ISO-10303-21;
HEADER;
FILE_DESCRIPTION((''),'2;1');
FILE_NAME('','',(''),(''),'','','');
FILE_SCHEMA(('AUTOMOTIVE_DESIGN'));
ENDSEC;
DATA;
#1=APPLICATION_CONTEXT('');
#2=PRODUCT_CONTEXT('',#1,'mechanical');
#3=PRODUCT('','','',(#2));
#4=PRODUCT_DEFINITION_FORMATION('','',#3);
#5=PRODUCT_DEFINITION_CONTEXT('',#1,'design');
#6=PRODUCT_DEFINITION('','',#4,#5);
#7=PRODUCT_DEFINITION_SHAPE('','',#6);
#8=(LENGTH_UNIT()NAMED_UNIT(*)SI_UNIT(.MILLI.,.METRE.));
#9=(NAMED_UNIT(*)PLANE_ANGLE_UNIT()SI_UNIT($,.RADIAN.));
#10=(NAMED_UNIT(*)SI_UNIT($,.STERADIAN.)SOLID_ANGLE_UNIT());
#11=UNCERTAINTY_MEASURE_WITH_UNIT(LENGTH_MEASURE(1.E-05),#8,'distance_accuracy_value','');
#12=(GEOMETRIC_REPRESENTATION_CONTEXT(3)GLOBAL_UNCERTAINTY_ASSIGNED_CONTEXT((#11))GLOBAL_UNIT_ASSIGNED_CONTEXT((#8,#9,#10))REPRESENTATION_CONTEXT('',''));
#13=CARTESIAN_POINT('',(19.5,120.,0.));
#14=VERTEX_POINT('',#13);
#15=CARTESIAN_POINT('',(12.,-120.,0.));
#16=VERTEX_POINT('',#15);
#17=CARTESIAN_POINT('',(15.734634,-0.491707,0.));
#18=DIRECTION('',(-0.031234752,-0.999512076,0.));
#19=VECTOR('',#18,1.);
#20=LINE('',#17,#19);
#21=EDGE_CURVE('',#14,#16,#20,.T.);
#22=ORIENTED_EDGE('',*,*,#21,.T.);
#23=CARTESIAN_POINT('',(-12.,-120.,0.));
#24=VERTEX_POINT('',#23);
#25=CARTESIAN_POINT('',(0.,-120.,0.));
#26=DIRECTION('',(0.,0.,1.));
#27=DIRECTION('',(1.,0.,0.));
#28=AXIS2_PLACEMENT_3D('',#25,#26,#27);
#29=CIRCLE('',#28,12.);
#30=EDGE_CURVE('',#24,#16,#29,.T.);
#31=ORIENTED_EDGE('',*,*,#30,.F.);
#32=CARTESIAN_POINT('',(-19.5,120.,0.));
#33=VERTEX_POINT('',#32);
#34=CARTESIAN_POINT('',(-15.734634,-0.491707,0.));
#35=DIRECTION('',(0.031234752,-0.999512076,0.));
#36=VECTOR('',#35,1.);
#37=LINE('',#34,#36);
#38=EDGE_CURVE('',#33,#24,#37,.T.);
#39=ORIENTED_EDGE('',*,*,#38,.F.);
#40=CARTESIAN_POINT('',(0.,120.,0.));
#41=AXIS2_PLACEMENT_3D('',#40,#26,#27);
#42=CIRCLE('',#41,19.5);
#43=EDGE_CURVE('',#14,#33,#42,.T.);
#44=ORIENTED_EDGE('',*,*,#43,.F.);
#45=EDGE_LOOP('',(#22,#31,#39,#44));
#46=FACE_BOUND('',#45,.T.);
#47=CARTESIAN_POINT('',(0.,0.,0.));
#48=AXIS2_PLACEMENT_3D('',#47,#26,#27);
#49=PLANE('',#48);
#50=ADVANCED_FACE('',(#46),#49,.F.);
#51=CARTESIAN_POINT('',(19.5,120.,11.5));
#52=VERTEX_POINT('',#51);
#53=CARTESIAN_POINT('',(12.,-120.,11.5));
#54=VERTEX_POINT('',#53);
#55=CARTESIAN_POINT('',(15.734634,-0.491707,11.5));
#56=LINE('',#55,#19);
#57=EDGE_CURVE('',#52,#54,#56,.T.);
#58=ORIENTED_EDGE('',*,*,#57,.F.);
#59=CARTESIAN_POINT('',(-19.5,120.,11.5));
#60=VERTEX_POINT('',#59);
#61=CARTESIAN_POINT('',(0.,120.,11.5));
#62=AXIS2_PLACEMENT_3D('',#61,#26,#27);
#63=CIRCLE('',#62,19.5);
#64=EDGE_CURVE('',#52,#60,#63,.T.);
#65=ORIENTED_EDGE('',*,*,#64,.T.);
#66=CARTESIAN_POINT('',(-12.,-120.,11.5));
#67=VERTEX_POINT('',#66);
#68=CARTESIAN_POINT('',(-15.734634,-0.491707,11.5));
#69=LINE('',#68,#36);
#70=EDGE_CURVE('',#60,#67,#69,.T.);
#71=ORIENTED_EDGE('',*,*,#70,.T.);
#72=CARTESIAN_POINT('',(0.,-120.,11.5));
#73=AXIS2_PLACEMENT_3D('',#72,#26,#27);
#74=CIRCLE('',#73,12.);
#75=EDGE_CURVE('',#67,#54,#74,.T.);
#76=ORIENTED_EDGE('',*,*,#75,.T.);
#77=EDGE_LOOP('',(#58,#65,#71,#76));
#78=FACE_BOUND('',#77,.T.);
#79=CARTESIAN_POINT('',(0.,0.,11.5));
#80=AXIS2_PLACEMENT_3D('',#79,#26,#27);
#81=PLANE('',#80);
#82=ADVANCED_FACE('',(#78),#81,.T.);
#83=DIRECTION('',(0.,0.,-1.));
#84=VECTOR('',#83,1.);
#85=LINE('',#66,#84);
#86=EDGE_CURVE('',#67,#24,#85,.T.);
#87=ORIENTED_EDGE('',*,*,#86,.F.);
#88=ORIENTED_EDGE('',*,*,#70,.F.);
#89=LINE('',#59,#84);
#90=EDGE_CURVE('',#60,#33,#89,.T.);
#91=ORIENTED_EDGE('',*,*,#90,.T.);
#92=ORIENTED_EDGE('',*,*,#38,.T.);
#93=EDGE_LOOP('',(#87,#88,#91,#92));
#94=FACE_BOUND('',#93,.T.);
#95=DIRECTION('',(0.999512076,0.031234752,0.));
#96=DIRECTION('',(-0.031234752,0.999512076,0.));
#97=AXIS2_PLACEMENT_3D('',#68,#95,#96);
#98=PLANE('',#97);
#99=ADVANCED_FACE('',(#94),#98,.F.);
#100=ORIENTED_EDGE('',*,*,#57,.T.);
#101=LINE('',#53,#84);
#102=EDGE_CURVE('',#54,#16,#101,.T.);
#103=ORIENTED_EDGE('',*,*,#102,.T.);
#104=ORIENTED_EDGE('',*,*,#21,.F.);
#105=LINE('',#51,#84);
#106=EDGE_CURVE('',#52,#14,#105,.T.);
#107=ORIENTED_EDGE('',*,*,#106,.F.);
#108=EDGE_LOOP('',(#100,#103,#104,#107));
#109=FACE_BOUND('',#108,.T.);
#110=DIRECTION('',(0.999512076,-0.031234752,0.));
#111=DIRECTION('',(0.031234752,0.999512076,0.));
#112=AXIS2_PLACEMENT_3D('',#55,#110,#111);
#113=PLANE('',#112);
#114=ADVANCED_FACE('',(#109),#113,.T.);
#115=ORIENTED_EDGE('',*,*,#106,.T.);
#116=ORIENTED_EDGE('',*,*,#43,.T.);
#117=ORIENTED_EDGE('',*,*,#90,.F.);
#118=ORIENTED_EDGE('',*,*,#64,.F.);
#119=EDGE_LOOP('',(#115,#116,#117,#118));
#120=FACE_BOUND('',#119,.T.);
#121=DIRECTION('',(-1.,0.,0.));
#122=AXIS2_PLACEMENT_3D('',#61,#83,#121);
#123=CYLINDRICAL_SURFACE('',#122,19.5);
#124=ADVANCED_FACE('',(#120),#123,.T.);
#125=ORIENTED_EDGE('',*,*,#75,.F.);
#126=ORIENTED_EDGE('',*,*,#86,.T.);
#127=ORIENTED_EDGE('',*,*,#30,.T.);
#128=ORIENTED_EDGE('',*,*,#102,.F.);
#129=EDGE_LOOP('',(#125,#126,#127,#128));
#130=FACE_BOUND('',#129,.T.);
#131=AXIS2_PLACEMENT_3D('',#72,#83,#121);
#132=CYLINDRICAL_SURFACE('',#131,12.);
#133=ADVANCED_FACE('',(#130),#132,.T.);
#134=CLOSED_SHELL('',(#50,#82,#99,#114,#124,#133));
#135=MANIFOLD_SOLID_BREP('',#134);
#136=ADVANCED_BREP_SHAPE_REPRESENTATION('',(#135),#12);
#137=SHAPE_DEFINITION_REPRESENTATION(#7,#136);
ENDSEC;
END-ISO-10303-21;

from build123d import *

# Parameters (mm, degrees)
EXTRUDE_1_DEPTH = 11.5


with BuildPart() as part:
    # 草图1 → 凸台-拉伸1 (new body)
    with BuildSketch(Plane.XY):
        with BuildLine():
            Line((12, -120), (19.5, 120))
            ThreePointArc((19.5, 120), (0, 139.5), (-19.5, 120))
            Line((-19.5, 120), (-12, -120))
            ThreePointArc((-12, -120), (0, -132), (12, -120))
        make_face()
    extrude(amount=EXTRUDE_1_DEPTH)


solid = part.part
